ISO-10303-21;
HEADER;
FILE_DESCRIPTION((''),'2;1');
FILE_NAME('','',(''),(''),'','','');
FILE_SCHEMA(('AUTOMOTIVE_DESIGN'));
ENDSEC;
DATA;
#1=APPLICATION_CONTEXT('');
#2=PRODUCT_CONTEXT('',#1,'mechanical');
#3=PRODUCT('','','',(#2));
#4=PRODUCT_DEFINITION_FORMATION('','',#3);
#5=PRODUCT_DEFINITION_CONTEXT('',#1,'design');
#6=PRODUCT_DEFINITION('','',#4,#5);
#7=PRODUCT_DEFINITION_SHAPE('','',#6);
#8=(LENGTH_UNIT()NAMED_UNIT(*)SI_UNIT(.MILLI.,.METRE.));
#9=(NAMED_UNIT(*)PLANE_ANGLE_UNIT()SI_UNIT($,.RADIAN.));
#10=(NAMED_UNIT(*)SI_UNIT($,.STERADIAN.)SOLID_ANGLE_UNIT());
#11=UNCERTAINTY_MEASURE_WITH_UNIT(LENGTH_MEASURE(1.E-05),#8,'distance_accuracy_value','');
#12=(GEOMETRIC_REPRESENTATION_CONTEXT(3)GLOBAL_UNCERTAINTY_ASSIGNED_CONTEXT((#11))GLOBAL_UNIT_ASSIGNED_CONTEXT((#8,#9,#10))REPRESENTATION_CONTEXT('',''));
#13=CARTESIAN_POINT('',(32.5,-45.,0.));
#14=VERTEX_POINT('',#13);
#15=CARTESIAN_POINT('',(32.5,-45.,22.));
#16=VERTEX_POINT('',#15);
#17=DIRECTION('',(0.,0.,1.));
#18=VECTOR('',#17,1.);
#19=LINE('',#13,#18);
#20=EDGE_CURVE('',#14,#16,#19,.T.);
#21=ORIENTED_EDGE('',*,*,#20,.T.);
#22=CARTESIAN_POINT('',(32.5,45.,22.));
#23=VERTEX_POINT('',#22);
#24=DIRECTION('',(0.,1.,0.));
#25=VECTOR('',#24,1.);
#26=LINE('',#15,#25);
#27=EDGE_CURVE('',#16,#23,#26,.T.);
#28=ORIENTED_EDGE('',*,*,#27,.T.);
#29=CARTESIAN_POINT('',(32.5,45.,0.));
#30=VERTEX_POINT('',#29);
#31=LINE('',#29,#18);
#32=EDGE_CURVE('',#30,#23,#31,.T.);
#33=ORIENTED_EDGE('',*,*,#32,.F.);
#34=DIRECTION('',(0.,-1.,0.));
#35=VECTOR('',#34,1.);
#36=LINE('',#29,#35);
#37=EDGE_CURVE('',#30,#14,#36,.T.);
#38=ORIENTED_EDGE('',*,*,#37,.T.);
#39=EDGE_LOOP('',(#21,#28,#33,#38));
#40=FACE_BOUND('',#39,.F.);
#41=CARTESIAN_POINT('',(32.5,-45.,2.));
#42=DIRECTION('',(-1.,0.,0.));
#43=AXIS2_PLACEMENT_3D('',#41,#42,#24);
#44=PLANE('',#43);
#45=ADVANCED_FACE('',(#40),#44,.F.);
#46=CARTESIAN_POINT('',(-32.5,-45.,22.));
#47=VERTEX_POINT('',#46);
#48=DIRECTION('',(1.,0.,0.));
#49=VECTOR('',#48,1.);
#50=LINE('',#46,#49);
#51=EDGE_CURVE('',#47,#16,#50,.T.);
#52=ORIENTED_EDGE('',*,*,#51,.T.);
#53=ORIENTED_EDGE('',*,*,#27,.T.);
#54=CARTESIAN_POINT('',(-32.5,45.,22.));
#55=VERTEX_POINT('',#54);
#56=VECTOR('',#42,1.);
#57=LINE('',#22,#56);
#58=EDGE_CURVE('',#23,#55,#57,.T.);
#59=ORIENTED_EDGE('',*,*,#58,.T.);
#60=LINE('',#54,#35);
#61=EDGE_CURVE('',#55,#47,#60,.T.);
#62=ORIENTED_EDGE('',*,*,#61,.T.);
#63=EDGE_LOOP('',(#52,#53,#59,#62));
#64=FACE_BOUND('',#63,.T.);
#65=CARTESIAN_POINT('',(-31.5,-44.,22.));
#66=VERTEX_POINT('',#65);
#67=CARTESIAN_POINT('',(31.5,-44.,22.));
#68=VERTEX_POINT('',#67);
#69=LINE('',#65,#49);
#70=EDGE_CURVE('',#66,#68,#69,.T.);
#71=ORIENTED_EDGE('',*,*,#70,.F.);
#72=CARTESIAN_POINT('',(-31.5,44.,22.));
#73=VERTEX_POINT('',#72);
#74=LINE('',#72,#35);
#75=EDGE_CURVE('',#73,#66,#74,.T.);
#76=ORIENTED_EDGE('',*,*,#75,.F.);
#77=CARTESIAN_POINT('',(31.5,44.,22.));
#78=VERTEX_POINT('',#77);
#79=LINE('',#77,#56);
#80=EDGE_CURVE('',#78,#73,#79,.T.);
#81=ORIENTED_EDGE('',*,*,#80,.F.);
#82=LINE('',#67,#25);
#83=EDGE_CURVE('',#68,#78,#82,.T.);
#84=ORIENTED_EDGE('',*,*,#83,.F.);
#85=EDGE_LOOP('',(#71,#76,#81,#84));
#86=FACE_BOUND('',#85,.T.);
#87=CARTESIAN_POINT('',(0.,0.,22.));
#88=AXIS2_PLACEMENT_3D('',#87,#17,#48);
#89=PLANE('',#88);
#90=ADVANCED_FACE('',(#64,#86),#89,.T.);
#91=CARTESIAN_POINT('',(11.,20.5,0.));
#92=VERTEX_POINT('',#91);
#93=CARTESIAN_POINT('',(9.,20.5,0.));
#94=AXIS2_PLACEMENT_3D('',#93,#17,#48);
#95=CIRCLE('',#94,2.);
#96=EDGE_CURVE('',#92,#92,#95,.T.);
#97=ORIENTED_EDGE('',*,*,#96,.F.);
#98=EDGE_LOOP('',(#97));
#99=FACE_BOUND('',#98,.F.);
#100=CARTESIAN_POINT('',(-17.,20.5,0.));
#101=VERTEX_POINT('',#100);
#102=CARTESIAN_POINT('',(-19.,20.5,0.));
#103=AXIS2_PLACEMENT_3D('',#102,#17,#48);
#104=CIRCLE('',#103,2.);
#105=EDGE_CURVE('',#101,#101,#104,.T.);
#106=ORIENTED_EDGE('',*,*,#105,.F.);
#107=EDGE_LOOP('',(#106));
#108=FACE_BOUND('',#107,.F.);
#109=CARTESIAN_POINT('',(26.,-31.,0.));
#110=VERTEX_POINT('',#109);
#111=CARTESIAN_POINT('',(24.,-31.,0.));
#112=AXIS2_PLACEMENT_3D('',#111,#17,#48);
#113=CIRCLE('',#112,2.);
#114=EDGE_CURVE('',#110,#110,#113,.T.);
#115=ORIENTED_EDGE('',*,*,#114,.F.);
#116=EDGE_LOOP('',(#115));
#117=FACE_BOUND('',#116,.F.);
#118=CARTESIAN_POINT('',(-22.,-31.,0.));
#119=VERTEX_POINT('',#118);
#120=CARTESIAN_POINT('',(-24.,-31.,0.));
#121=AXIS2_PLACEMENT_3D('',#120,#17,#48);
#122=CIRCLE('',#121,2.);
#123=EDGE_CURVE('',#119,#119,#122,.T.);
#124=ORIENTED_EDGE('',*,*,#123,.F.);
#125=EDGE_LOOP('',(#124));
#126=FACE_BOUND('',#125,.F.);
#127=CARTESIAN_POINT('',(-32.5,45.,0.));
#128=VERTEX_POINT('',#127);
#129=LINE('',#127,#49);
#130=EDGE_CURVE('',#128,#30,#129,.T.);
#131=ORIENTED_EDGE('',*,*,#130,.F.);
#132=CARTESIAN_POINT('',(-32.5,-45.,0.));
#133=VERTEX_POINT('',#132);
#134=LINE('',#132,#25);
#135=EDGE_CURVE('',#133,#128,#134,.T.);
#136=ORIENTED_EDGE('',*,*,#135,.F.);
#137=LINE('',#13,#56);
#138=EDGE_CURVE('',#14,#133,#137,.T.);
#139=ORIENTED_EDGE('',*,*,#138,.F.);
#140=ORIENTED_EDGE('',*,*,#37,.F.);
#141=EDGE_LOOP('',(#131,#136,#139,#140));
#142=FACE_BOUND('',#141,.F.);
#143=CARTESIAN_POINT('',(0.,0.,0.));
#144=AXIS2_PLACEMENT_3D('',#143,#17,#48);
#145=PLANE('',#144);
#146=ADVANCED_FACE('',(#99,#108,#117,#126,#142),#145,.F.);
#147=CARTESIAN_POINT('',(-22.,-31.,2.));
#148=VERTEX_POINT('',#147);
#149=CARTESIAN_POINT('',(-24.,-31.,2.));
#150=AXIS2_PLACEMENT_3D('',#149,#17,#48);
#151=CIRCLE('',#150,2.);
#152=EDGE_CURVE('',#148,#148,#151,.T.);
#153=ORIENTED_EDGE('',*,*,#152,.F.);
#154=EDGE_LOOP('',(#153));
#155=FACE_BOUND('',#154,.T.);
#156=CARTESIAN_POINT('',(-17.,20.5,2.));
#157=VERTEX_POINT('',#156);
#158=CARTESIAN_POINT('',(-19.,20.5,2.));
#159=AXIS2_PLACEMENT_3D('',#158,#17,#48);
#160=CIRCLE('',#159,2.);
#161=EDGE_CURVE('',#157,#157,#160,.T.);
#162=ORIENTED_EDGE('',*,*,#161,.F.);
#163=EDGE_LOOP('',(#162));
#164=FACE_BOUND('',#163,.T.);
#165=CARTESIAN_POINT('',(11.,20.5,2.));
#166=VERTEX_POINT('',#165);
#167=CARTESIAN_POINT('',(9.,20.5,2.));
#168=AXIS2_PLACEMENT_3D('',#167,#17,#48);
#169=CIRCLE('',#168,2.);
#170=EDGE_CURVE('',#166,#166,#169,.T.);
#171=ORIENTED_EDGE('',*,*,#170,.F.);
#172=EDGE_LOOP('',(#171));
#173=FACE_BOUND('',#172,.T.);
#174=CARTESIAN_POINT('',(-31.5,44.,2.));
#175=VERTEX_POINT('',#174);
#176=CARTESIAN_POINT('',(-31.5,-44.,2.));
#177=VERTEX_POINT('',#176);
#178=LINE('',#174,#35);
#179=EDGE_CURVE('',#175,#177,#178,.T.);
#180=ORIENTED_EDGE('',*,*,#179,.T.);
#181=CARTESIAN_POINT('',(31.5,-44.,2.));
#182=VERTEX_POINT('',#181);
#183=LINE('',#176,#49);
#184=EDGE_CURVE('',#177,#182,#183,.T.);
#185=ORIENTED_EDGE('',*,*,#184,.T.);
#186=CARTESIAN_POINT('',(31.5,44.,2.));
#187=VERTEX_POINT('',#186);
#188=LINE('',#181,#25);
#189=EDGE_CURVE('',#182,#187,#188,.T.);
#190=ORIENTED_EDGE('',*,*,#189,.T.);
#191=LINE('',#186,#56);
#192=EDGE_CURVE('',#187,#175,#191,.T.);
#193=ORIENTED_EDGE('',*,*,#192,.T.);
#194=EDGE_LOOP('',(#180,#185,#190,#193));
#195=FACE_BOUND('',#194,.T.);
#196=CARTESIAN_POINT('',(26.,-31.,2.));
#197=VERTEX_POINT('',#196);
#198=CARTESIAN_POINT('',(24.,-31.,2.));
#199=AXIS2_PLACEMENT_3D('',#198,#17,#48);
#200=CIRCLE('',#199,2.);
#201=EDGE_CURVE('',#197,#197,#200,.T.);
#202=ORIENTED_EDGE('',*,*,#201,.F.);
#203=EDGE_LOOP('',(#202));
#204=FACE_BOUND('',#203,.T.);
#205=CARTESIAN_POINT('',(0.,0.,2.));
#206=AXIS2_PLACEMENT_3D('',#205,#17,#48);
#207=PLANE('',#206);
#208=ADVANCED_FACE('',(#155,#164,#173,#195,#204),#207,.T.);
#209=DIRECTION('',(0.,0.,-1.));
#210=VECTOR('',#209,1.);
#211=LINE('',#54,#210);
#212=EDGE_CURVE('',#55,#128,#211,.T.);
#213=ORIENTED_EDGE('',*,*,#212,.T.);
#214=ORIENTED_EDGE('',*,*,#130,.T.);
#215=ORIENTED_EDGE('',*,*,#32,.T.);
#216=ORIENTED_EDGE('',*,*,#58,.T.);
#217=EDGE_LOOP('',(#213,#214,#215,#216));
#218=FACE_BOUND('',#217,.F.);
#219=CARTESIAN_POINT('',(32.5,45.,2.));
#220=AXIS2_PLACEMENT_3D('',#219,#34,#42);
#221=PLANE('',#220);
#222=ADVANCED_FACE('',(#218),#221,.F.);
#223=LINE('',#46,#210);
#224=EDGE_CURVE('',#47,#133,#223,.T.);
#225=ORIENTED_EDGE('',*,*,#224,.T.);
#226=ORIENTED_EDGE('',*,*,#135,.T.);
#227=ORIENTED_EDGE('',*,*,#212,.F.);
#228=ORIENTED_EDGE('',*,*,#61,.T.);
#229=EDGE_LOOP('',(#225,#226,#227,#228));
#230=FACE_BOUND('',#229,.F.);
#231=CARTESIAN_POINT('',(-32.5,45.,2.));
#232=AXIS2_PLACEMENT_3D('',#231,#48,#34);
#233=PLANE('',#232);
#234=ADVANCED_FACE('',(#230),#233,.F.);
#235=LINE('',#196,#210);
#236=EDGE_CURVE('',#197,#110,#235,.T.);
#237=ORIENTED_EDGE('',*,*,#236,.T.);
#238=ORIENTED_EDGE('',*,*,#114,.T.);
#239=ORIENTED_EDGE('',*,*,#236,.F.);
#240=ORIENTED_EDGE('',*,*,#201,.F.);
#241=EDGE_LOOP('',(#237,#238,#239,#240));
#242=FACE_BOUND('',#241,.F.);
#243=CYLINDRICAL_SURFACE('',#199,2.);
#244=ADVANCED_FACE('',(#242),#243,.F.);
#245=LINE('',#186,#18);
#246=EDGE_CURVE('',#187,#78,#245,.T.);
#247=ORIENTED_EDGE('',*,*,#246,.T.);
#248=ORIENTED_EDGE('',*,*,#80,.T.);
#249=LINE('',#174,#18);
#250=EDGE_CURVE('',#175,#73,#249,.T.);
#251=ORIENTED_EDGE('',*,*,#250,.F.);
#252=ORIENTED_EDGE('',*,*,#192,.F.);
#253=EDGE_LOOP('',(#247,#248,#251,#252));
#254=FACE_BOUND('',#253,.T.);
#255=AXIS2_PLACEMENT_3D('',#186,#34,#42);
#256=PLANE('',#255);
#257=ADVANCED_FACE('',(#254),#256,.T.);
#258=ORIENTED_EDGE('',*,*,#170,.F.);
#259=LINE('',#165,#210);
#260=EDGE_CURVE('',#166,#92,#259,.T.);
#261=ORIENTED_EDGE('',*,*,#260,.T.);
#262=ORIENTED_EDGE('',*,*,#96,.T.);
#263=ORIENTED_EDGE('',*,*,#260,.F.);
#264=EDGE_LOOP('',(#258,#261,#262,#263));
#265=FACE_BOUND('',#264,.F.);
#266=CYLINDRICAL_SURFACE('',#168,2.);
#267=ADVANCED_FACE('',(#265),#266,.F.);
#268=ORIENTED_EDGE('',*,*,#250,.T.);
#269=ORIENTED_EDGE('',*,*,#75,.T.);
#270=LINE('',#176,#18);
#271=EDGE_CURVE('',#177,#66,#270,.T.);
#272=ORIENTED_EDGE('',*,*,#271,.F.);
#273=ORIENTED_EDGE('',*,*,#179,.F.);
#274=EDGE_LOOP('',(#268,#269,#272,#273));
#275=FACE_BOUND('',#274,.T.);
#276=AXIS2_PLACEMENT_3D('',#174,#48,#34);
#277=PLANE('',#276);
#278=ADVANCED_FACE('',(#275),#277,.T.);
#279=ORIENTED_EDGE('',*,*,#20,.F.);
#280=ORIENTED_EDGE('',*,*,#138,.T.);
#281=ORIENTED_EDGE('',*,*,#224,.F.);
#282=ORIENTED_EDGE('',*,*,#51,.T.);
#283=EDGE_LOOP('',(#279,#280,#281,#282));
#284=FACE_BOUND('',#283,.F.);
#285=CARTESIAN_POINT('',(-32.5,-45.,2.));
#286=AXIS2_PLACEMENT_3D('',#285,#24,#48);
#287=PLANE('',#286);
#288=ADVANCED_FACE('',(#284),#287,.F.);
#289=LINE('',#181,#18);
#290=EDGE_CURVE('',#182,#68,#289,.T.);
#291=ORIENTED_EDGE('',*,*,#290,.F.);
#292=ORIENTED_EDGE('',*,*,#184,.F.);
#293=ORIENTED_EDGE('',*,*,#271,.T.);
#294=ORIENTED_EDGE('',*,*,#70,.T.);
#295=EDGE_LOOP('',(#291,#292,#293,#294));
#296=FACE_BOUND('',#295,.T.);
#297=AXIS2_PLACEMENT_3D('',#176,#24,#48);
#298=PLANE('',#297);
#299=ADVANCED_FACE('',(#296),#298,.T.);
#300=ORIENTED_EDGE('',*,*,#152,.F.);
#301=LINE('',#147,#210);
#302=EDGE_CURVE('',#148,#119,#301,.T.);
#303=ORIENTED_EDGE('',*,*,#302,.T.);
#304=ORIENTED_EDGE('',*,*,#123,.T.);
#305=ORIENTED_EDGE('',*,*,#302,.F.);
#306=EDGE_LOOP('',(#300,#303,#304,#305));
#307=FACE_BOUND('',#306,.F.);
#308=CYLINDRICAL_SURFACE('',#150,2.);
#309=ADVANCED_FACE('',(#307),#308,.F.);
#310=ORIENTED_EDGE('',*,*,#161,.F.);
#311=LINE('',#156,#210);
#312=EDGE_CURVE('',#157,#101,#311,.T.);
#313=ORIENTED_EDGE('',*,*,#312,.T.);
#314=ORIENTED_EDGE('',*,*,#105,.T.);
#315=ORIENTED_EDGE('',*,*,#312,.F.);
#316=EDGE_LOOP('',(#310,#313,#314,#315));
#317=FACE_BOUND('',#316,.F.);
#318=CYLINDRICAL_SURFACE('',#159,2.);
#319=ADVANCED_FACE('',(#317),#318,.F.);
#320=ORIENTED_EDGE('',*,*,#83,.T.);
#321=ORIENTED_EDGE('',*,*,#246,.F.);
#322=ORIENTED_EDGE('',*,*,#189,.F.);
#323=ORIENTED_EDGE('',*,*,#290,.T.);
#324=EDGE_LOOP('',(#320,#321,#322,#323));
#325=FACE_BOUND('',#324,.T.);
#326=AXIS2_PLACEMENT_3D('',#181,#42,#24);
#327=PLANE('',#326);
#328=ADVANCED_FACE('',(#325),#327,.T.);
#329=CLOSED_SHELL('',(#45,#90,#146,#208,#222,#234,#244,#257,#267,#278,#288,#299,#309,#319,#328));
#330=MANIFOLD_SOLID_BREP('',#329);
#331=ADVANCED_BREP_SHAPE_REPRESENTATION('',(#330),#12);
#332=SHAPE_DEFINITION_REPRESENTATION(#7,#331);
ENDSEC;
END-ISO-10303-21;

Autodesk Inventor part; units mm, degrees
ref_plane "YZ Plane" through (0, 0, 0) normal (1, 0, 0) x (0, 1, 0)
ref_plane "XZ Plane" through (0, 0, 0) normal (0, 1, 0) x (-1, 0, 0)
ref_plane "XY Plane" through (0, 0, 0) normal (0, 0, 1) x (1, 0, 0)
sketch "스케치1" plane through (0, 0, 0) normal (0, 0, 1) x (1, 0, 0)
  line L0 (-32.5, 45) -> (32.5, 45)
  line L1 (32.5, 45) -> (32.5, -45)
  line L2 (32.5, -45) -> (-32.5, -45)
  line L3 (-32.5, -45) -> (-32.5, 45)
  line L4 (-32.5, 45) -> (32.5, -45) construction
  line L5 (32.5, 45) -> (-32.5, -45) construction
  point P0 (0, 0)
  dimension "d1" = 65
  dimension "d2" = 90
extrude "돌출1" add sketch "스케치1" along normal blind 2
sketch "스케치2" plane through (0, 0, 2) normal (0, 0, 1) x (1, 0, 0)
  circle A0 centre (-24, -31) radius 2
  line L0 (-32.5, -45) -> (32.5, -45) projected
  line L1 (-32.5, 45) -> (-32.5, -45) projected
  circle A1 centre (24, -31) radius 2
  line L2 (32.5, -45) -> (32.5, 45) projected
  circle A2 centre (-19, 20.5) radius 2
  circle A3 centre (9, 20.5) radius 2
  point P0 (0, 0)
  dimension "d14" = 4
  dimension "d15" = 14
  dimension "d16" = 8.5
  dimension "d17" = 4
  dimension "d18" = 14
  dimension "d19" = 8.5
  dimension "d20" = 4
  dimension "d21" = 65.5
  dimension "d22" = 13.5
  dimension "d23" = 4
  dimension "d24" = 23.5
  dimension "d25" = 65.5
extrude "돌출2" cut sketch "스케치2" against normal blind 2
sketch "스케치3" plane through (0, 0, 2) normal (0, 0, 1) x (1, 0, 0)
  line L0 (32.5, -45) -> (32.5, 45) projected
  line L1 (-32.5, -45) -> (32.5, -45)
  line L2 (32.5, -45) -> (32.5, 45)
  line L3 (32.5, 45) -> (-32.5, 45)
  line L4 (-32.5, 45) -> (-32.5, -45)
  line L5 (-32.5, -45) -> (32.5, 45) construction
  line L6 (32.5, -45) -> (-32.5, 45) construction
  line L7 (-31.5, -44) -> (31.5, -44)
  line L8 (31.5, -44) -> (31.5, 44)
  line L9 (31.5, 44) -> (-31.5, 44)
  line L10 (-31.5, 44) -> (-31.5, -44)
  line L11 (-31.5, -44) -> (31.5, 44) construction
  line L12 (31.5, -44) -> (-31.5, 44) construction
  point P0 (0, 0)
  dimension "d28" = 63
  dimension "d29" = 88
extrude "돌출3" add sketch "스케치3" along normal blind 20
properties part number "case"
